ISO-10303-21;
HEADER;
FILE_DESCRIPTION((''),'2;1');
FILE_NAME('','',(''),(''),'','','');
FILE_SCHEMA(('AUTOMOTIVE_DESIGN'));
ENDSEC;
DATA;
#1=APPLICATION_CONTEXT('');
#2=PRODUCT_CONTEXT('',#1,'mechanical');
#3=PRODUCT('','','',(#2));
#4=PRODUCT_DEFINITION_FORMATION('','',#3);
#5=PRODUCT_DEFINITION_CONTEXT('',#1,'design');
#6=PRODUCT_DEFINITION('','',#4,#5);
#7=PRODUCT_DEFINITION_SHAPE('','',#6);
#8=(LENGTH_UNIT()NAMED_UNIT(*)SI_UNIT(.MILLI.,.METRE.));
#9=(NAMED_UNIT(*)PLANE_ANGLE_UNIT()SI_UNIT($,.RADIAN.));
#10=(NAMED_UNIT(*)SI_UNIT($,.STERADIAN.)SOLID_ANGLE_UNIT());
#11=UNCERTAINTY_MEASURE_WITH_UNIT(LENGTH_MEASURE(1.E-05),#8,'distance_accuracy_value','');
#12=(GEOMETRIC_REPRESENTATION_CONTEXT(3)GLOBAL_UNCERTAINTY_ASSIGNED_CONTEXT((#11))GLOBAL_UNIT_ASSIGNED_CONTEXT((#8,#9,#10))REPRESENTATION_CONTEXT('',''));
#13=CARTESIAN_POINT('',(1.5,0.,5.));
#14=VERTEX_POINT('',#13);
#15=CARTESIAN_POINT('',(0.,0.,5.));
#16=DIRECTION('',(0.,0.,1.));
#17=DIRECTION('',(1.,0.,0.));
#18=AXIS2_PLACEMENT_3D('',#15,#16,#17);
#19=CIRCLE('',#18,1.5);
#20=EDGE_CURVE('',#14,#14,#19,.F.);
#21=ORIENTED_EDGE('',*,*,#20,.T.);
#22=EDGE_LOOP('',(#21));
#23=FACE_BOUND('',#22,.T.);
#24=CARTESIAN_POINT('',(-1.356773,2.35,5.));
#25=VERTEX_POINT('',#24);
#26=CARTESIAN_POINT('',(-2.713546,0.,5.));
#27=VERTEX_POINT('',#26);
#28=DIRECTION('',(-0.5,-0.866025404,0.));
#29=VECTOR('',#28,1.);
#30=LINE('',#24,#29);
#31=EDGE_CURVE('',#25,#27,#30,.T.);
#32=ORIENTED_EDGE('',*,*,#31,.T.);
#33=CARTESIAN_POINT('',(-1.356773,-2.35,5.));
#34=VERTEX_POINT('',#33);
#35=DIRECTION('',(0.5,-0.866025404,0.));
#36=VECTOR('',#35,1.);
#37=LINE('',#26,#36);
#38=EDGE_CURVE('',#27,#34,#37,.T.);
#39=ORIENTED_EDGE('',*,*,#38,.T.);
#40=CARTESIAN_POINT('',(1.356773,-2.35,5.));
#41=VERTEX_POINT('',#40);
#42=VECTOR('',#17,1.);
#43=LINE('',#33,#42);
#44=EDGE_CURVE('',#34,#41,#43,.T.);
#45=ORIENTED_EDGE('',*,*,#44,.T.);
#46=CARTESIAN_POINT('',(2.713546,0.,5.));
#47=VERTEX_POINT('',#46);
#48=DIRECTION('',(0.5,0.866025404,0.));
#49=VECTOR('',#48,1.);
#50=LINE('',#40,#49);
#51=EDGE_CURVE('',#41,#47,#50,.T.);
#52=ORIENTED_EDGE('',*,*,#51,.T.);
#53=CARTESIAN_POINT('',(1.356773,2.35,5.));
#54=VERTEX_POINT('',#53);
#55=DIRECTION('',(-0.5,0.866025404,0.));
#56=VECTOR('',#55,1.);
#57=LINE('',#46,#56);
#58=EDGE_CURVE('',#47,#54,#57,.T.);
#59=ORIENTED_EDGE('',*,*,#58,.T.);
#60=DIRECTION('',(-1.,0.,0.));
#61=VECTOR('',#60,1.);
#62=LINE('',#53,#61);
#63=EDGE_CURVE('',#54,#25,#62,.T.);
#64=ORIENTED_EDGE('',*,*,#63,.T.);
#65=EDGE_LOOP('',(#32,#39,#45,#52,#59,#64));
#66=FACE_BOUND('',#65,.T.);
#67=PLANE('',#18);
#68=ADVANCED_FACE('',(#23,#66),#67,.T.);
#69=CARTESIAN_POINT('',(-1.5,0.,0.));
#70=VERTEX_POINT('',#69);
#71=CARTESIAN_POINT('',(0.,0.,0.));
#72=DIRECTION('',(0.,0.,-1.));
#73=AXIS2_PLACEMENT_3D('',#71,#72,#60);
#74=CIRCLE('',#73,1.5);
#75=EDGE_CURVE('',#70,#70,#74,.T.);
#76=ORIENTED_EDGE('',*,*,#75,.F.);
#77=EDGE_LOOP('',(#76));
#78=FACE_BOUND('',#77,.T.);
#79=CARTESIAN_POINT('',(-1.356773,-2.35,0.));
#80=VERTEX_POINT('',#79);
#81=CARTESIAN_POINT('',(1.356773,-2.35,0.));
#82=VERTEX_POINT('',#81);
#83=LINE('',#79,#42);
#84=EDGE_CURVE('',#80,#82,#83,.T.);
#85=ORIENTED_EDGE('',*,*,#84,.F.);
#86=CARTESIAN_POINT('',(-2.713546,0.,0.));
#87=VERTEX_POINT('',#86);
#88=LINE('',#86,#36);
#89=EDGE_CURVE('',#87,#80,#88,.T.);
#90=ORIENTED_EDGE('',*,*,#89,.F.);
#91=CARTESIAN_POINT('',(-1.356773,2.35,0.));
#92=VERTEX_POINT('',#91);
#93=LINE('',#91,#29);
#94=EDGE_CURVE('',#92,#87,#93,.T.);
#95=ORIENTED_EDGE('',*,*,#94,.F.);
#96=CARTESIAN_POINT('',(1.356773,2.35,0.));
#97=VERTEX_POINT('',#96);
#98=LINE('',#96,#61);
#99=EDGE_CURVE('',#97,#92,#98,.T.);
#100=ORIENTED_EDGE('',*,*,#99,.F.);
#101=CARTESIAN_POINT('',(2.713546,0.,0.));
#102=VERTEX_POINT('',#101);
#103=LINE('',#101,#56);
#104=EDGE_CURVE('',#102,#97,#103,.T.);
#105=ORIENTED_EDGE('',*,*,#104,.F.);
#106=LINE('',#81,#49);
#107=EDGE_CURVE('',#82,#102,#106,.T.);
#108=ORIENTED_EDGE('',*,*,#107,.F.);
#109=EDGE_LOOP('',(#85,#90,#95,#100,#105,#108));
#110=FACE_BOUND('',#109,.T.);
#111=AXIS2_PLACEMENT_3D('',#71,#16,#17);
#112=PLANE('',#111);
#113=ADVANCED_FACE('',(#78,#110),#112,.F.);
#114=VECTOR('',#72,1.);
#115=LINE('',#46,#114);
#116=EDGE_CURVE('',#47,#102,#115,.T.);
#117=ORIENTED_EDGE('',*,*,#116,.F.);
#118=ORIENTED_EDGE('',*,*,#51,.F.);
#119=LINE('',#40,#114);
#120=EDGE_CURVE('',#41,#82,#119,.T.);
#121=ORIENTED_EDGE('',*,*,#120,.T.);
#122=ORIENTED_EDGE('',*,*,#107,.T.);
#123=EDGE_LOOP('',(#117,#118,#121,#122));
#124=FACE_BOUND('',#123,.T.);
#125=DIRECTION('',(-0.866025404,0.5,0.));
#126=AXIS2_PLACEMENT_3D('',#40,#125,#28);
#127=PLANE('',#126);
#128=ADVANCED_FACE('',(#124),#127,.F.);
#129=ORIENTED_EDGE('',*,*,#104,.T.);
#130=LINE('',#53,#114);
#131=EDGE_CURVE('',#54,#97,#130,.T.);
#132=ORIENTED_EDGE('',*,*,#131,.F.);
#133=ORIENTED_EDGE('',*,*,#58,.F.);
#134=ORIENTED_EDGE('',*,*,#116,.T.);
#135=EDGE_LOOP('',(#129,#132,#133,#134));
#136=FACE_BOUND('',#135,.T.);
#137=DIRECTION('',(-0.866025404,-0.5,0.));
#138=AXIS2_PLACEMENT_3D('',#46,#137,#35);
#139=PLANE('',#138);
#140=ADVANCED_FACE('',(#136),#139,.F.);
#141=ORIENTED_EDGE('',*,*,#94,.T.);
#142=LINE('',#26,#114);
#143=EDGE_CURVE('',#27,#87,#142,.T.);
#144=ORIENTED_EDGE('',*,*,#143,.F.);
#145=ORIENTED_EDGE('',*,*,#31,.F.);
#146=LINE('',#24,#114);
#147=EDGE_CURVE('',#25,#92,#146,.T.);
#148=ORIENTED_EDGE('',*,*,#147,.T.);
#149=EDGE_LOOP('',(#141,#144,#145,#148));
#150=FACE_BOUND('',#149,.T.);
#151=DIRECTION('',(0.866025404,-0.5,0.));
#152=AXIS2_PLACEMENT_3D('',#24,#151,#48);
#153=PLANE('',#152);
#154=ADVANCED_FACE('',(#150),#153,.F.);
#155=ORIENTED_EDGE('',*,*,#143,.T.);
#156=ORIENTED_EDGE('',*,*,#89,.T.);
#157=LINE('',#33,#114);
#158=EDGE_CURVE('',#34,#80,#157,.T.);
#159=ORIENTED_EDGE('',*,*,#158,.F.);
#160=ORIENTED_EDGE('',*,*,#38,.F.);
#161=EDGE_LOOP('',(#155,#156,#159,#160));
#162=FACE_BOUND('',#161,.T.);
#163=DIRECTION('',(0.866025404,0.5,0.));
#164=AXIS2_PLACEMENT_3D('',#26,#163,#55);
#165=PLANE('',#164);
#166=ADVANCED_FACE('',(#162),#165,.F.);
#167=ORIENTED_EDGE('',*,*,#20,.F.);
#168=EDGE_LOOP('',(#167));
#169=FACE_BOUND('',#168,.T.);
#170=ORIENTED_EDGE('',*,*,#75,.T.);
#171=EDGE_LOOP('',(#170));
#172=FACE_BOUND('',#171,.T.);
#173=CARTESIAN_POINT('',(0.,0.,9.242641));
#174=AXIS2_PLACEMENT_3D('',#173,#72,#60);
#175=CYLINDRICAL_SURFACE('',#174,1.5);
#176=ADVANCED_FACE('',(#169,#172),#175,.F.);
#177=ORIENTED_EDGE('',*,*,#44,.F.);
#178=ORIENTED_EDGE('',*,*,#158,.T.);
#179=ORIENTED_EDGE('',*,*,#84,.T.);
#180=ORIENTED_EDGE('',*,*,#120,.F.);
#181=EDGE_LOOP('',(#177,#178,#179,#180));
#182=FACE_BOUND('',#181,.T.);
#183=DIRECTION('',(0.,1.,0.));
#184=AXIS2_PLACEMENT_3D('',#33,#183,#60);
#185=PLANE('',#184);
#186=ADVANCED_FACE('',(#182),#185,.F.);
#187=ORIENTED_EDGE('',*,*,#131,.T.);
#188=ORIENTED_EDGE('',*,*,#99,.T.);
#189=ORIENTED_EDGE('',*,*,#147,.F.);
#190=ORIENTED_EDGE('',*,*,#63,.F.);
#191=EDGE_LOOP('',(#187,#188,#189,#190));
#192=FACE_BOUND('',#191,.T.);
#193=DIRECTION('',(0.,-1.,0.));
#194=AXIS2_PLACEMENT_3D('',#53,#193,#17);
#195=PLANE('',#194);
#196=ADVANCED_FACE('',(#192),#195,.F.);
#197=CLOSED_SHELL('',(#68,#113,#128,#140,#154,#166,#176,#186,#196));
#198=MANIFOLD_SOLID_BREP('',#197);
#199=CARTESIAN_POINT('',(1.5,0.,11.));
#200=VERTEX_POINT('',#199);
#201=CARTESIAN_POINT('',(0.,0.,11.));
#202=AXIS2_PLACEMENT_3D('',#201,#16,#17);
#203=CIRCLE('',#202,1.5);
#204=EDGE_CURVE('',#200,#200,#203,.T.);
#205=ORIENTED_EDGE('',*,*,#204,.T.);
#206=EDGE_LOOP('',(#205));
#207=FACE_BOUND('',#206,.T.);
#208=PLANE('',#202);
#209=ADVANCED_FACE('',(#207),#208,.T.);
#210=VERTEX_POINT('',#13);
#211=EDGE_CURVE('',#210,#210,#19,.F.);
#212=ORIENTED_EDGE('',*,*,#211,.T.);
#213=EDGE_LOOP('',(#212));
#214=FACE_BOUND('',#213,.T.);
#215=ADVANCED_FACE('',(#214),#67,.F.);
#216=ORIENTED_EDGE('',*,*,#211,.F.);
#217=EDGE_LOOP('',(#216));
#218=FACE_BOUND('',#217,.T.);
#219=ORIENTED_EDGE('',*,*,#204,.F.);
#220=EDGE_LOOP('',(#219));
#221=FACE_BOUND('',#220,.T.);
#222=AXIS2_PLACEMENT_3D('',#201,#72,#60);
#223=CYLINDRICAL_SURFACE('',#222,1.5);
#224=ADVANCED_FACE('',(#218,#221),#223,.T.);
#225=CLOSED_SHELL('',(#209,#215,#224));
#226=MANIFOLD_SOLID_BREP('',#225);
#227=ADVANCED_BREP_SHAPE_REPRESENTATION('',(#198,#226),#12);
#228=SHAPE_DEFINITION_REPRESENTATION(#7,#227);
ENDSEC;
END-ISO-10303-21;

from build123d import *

# Parameters (mm, degrees)
EXTRUDE_1_DEPTH     = 5
SKETCH_2_R          = 1.5
EXTRUDE_2_DEPTH     = 6
SKETCH_3_R          = 1.5
CUT_EXTRUDE_1_DEPTH = 5


with BuildPart() as part:
    # 草图1 → 凸台-拉伸1 (new body)
    with BuildSketch(Plane.XY):
        Polygon((2.713546265, 0), (1.356773133, 2.35), (-1.356773133, 2.35), (-2.713546265, 0), (-1.356773133, -2.35), (1.356773133, -2.35), align=None)
    extrude(amount=EXTRUDE_1_DEPTH)

    # 草图2 → 凸台-拉伸2 (add)
    with BuildSketch(Plane.XY.offset(5)):
        Circle(SKETCH_2_R)
    extrude(amount=EXTRUDE_2_DEPTH)

    # 草图3 → 切除-拉伸1 (cut)
    with BuildSketch(Plane(origin=(0, 0, 0), x_dir=(-1, 0, 0), z_dir=(0, 0, -1))):
        Circle(SKETCH_3_R)
    extrude(amount=-CUT_EXTRUDE_1_DEPTH, mode=Mode.SUBTRACT)


with BuildPart() as cut_extrude_1_piece_1:
    # of the separate pieces the step leaves, piece 1, a body of its own (cut_extrude_1_pieces)
    add(part.part.solids().sort_by_distance((2.713546265, 0, 0))[0])


with BuildPart() as cut_extrude_1_piece_2:
    # of the separate pieces the step leaves, piece 2, a body of its own (cut_extrude_1_pieces)
    add(part.part.solids().sort_by_distance((1.5, 0, 11))[0])


solid = Compound([cut_extrude_1_piece_1.part, cut_extrude_1_piece_2.part])
